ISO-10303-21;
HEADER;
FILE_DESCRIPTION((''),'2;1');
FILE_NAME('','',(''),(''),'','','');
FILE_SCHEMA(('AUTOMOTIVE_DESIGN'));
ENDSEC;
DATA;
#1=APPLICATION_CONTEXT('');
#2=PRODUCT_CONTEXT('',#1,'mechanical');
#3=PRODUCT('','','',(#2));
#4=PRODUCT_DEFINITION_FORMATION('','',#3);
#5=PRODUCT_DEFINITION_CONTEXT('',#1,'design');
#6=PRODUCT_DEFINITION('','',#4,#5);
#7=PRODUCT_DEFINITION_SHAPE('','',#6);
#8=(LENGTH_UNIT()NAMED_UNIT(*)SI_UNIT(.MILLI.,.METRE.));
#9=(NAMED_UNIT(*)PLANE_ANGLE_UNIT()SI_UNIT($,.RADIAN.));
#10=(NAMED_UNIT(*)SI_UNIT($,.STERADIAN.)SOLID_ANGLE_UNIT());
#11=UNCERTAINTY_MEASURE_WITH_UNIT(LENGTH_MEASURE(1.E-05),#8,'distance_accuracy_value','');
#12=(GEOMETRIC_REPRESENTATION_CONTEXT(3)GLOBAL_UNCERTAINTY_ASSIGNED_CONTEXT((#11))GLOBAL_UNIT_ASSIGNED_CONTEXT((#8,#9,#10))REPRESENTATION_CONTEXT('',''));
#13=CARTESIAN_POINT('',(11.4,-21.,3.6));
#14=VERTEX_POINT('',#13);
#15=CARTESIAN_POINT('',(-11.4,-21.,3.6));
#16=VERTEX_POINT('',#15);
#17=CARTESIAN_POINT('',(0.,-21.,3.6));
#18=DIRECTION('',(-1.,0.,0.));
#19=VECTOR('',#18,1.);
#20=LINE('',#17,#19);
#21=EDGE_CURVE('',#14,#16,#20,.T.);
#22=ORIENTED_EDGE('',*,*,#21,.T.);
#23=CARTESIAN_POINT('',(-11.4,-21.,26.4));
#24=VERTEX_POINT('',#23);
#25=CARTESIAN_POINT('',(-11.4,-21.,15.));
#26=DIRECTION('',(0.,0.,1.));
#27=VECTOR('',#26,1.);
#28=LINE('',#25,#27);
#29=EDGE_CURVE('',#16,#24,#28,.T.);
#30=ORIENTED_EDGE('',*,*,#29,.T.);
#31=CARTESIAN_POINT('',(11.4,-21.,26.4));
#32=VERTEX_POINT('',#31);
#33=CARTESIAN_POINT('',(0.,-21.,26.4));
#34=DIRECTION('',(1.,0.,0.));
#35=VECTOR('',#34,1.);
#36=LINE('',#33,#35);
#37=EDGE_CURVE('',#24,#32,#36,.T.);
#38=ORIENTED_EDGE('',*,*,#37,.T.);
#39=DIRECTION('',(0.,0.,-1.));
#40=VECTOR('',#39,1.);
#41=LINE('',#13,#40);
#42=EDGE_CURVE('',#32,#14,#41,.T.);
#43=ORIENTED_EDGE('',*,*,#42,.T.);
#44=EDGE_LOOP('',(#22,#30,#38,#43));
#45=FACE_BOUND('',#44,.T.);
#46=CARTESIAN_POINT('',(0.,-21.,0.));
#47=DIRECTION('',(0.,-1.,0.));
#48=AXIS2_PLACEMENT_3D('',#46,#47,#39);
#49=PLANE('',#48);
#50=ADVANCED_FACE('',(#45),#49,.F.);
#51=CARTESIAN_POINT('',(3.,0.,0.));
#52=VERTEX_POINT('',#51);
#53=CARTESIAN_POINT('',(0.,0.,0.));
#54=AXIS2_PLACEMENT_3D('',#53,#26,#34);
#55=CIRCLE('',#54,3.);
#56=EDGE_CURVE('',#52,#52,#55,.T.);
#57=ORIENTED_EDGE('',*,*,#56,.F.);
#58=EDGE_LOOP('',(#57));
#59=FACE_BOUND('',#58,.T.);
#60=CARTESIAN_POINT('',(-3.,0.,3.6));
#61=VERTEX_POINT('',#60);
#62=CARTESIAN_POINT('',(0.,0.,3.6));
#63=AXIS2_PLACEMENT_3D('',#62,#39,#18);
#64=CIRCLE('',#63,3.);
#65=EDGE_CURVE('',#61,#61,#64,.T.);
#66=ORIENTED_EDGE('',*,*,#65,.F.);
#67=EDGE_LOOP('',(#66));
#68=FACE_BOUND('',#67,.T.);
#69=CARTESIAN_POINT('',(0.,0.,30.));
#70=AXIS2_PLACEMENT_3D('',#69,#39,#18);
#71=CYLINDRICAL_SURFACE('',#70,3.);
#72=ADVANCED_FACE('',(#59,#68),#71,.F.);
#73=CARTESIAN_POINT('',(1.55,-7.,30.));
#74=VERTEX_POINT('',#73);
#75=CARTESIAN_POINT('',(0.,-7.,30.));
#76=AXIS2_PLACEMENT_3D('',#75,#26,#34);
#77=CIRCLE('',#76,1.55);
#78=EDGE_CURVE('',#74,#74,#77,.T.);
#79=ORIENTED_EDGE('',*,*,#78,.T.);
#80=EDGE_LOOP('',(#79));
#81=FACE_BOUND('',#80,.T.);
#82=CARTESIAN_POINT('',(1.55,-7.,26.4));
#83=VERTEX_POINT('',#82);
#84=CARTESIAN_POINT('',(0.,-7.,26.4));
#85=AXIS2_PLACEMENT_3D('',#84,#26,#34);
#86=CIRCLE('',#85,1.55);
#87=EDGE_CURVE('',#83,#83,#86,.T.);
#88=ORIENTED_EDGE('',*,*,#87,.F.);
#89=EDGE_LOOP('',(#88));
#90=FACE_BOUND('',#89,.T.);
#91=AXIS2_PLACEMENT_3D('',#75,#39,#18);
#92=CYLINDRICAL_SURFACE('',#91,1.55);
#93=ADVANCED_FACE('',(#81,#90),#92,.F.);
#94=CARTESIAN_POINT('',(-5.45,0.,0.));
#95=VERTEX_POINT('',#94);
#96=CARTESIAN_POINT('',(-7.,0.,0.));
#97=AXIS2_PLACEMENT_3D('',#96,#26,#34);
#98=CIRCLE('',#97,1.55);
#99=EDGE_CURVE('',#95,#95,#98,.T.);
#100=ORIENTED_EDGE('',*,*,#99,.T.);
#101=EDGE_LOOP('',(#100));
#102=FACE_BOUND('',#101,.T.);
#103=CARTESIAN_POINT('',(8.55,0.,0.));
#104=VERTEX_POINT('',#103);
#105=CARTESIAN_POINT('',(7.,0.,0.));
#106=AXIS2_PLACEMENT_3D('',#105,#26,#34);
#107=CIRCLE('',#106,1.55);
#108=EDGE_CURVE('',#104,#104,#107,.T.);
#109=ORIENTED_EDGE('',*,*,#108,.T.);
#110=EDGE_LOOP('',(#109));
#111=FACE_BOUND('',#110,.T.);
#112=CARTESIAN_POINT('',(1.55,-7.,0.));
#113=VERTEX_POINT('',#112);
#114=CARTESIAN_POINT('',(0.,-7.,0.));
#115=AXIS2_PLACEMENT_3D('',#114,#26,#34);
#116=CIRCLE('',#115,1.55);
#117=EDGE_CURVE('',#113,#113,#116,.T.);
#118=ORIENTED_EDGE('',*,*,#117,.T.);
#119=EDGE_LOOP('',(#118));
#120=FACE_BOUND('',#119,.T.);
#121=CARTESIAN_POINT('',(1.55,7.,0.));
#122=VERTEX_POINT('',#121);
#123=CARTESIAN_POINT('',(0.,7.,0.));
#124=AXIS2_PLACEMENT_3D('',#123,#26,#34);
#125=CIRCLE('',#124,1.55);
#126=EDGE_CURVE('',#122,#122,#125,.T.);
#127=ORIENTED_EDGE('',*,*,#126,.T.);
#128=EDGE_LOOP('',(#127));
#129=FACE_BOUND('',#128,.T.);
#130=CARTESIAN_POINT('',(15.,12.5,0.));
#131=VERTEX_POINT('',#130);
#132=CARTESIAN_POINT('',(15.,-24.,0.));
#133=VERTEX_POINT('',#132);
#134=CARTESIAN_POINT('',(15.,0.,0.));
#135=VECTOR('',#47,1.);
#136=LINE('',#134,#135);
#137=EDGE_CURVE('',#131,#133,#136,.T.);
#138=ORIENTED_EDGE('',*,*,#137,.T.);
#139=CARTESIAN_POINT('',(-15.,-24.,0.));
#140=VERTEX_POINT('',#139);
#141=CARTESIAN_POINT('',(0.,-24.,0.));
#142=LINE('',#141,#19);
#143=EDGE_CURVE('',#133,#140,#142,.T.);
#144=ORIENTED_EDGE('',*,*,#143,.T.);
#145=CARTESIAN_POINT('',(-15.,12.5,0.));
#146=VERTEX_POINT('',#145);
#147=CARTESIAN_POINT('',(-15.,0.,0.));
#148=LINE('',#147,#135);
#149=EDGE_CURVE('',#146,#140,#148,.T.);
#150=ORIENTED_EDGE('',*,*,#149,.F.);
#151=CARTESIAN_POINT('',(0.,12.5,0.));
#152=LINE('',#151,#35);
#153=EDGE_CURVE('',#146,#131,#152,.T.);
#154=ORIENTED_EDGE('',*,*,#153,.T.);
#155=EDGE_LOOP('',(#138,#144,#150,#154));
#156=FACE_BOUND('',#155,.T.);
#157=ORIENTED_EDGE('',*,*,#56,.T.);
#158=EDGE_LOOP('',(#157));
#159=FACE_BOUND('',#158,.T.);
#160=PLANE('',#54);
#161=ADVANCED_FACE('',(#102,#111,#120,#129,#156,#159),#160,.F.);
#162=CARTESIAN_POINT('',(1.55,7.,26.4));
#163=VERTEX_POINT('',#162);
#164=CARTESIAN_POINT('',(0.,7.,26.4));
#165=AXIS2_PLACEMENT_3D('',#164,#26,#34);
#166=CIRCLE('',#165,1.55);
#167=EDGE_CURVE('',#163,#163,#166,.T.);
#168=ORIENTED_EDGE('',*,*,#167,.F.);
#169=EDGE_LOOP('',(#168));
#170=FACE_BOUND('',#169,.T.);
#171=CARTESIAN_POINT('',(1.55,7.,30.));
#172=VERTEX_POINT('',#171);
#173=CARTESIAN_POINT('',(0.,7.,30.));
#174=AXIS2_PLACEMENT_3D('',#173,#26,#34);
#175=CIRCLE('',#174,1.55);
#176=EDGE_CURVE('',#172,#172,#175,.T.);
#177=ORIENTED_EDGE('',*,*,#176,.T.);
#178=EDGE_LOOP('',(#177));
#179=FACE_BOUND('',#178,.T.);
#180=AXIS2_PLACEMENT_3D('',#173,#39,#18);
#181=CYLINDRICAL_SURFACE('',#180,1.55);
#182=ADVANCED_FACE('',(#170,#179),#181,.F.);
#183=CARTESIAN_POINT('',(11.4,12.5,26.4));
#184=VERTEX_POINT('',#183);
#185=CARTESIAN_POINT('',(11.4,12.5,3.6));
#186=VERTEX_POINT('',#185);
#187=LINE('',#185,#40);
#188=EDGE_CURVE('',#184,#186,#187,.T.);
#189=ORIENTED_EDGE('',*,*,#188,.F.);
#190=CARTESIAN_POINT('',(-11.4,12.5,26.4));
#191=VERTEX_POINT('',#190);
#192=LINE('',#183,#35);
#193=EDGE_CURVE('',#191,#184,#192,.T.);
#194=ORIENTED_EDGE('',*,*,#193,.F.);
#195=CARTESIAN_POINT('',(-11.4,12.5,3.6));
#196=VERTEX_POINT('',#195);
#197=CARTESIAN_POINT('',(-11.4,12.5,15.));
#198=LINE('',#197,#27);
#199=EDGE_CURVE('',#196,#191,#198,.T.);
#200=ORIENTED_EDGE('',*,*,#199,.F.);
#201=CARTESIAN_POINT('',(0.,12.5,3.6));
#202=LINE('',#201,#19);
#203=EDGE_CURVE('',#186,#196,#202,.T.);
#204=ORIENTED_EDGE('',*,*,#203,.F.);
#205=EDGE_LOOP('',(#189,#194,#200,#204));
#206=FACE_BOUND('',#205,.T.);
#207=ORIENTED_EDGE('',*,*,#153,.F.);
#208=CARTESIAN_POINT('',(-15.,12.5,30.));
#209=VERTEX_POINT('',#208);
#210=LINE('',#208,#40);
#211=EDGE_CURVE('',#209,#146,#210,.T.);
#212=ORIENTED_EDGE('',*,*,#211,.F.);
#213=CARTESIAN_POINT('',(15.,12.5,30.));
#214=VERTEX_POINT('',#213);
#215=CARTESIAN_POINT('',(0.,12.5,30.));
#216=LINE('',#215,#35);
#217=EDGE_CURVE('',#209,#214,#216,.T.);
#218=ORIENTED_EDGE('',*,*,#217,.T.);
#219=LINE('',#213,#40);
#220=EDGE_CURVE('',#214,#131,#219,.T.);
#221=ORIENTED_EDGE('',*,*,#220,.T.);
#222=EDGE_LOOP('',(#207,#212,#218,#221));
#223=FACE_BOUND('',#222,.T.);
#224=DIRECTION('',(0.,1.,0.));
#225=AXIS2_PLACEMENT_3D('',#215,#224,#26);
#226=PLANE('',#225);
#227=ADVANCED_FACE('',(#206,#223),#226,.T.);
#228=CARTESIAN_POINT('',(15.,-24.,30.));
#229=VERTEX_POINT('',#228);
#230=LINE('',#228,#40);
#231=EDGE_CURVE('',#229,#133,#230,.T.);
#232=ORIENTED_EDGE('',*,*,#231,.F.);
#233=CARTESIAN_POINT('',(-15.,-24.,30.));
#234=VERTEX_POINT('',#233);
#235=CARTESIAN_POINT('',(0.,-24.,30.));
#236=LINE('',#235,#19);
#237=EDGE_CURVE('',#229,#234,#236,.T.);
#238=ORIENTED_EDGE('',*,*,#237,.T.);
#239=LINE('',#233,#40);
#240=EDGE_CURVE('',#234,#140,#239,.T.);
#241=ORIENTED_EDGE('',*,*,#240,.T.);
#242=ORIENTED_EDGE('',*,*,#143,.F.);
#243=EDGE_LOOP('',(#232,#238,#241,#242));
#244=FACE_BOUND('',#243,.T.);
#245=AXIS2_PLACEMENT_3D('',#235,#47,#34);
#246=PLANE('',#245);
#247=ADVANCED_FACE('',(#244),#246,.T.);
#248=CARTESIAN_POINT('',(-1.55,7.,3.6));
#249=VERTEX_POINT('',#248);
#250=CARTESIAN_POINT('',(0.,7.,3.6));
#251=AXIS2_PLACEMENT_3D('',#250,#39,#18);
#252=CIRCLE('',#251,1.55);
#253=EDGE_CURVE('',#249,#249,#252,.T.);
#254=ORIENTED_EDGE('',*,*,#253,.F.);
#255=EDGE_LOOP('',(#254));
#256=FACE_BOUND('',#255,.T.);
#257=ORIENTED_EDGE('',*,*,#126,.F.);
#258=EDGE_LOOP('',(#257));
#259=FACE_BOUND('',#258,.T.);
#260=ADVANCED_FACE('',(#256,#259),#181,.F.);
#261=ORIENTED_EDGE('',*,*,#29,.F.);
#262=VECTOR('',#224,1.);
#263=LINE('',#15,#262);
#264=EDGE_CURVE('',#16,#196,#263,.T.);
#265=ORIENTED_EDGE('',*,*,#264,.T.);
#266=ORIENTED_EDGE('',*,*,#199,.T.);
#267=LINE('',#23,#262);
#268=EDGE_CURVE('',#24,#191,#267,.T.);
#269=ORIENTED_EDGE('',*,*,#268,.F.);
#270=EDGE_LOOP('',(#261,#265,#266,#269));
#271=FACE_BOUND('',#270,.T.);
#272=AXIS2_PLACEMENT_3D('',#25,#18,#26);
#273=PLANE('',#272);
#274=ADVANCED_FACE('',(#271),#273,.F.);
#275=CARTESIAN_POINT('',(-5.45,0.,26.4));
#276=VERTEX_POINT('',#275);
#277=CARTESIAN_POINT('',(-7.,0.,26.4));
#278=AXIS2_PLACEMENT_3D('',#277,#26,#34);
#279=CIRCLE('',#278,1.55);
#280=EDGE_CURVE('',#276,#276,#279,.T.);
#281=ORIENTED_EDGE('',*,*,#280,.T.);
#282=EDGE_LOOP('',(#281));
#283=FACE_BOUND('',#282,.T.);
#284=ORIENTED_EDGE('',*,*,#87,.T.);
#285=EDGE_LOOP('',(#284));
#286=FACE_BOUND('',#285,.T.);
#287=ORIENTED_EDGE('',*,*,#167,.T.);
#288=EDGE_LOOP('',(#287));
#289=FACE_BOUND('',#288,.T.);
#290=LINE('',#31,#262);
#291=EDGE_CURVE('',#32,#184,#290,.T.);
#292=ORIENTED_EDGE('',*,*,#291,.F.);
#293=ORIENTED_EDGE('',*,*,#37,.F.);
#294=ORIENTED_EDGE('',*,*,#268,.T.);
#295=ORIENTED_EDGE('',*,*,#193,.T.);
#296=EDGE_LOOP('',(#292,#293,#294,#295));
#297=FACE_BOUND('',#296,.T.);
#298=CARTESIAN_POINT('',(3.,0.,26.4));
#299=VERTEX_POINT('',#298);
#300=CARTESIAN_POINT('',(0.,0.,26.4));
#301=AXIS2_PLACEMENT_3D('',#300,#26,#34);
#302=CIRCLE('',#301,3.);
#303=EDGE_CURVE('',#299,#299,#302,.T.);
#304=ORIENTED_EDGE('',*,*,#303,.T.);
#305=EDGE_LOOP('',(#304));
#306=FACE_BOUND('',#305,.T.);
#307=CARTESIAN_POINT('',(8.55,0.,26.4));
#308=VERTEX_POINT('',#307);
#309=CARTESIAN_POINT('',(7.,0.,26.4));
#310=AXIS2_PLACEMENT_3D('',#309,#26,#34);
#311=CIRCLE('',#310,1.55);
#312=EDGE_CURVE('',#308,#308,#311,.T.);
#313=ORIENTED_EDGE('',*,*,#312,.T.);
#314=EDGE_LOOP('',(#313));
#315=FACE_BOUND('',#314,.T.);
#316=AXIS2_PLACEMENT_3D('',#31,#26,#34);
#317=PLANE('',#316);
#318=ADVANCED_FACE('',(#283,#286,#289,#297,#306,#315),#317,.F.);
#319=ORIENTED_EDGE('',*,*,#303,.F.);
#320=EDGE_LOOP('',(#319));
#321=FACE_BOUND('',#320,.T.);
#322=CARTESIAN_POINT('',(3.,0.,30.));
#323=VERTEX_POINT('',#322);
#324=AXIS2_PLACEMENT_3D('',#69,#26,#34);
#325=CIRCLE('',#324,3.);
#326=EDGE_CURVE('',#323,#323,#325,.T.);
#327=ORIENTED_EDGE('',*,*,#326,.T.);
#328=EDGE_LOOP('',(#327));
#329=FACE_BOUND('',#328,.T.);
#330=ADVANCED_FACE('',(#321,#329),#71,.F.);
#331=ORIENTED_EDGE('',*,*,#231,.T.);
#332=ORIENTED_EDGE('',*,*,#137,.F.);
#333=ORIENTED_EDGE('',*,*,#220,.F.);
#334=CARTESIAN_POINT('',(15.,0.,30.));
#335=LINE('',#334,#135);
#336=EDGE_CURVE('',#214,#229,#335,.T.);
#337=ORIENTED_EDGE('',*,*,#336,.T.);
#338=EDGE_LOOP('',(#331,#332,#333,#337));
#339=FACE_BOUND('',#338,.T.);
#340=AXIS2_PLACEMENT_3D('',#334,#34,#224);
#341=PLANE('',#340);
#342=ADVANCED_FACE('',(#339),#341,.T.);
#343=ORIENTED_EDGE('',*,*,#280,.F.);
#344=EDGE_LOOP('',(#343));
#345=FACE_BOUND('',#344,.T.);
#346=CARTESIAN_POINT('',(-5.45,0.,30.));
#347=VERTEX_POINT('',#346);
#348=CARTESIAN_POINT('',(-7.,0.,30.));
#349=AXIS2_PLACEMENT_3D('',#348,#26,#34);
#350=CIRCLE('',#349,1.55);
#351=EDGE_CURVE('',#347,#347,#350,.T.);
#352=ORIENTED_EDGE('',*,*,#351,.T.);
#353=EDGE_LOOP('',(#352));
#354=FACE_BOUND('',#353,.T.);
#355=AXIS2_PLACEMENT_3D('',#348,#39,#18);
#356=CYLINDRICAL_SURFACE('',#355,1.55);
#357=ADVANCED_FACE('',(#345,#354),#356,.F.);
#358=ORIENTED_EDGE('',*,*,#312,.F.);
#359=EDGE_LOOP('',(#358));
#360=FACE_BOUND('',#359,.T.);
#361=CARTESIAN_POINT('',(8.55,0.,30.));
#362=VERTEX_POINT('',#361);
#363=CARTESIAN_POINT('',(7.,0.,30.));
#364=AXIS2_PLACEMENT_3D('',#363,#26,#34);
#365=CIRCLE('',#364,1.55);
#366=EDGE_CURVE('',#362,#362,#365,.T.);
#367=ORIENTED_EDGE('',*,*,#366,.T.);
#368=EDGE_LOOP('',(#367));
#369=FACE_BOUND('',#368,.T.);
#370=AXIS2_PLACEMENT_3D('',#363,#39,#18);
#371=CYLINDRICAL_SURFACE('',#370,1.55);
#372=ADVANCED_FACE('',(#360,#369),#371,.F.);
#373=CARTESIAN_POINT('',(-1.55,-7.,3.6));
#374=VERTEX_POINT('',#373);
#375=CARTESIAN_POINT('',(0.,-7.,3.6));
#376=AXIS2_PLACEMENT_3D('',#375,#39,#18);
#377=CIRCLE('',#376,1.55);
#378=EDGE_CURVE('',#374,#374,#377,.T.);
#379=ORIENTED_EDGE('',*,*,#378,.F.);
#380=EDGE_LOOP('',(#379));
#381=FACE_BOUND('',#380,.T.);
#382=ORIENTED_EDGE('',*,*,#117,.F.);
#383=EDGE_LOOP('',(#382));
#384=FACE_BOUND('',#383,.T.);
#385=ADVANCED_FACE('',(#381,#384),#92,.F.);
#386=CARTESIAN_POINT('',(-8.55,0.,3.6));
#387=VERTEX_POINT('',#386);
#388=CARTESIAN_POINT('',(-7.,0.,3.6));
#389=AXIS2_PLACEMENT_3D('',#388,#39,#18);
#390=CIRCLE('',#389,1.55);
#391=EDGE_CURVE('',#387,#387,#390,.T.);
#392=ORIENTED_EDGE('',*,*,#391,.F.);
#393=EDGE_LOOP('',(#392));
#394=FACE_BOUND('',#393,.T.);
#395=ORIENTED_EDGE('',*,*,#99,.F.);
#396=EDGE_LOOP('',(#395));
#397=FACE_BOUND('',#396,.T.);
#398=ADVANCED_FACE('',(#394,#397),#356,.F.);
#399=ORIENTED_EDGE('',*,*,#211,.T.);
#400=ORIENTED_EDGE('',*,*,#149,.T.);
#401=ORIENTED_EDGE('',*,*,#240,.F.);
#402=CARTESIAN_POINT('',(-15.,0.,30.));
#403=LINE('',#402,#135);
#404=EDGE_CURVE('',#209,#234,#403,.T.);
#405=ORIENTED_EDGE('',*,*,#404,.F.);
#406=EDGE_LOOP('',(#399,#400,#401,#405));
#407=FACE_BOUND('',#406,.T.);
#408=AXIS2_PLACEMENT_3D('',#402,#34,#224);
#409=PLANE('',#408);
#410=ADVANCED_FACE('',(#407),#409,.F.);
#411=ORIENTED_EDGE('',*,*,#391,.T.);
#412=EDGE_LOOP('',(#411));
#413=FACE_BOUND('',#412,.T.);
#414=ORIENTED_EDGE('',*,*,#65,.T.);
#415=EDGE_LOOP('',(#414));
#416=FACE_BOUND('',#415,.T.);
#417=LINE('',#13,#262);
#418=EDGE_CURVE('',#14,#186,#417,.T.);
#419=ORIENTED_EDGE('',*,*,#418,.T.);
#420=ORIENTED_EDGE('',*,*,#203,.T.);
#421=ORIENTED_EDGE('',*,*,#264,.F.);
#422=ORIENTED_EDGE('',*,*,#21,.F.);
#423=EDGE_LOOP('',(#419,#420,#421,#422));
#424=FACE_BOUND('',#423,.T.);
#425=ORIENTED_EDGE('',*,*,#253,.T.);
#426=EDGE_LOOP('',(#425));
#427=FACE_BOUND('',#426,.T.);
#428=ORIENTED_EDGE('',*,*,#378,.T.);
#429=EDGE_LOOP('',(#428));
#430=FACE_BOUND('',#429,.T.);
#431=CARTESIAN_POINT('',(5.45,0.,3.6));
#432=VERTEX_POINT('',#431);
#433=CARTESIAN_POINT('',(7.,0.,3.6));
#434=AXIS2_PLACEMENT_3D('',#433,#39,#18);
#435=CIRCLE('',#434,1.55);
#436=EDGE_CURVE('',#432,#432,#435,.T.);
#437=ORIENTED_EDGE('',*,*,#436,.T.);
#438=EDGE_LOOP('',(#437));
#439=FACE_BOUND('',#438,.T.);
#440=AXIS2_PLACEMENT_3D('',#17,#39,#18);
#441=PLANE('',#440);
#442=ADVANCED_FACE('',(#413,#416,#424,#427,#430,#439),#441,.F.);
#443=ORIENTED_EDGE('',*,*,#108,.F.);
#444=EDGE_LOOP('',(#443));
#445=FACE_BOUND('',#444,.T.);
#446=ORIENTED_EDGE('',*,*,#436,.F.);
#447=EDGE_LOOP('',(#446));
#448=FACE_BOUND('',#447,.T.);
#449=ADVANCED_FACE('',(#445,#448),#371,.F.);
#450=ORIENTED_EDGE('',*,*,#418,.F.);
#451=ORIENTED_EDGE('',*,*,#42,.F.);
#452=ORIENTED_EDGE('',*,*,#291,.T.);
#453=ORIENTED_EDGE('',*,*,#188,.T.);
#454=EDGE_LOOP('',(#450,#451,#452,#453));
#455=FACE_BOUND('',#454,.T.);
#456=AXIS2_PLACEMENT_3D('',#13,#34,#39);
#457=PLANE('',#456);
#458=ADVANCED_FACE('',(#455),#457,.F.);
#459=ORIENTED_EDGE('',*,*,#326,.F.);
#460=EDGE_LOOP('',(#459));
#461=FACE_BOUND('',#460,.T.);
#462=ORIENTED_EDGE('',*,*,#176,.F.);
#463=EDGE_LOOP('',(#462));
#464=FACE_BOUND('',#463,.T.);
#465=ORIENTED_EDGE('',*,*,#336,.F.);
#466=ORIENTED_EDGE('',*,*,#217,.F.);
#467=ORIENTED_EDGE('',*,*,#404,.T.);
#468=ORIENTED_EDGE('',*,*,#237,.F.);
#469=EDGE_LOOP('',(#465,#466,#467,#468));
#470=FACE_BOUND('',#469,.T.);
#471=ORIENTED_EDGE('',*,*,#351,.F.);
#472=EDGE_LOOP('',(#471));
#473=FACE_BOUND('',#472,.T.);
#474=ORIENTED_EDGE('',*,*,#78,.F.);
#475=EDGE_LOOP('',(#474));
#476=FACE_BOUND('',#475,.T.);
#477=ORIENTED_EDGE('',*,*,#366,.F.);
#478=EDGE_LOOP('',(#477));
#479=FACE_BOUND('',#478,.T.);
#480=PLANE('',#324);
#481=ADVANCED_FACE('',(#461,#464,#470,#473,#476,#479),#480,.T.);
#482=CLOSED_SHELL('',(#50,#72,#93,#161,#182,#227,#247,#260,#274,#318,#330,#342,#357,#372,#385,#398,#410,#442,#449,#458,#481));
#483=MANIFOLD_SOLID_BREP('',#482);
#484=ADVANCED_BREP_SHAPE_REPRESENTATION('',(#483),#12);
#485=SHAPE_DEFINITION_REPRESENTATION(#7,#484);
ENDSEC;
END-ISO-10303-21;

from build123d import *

# Parameters (mm, degrees)
SKETCH_1_R          = 3
SKETCH_1_R_2        = 1.55
EXTRUDE_1_DEPTH     = 30
CUT_EXTRUDE_1_DEPTH = 33.5


with BuildPart() as part:
    # 草图1 → 凸台-拉伸1 (new body)
    with BuildSketch(Plane.XY):
        Polygon((15, 0), (15, 12.5), (0, 12.5), (-15, 12.5), (-15, -24), (15, -24), align=None)
        Circle(SKETCH_1_R, mode=Mode.SUBTRACT)
        with Locations((0, 7)):
            Circle(SKETCH_1_R_2, mode=Mode.SUBTRACT)
        with Locations((7, 0)):
            Circle(SKETCH_1_R_2, mode=Mode.SUBTRACT)
        with Locations((0, -7)):
            Circle(SKETCH_1_R_2, mode=Mode.SUBTRACT)
        with Locations((-7, 0)):
            Circle(SKETCH_1_R_2, mode=Mode.SUBTRACT)
    extrude(amount=EXTRUDE_1_DEPTH)

    # 草图2 → 切除-拉伸1 (cut)
    with BuildSketch(Plane(origin=(0, 12.5, 0), x_dir=(1, 0, 0), z_dir=(0, 1, 0))):
        Polygon((-11.4, -15), (-11.4, -3.6), (0, -3.6), (11.4, -3.6), (11.4, -26.4), (0, -26.4), (-11.4, -26.4), align=None)
    extrude(amount=-CUT_EXTRUDE_1_DEPTH, mode=Mode.SUBTRACT)


solid = part.part
